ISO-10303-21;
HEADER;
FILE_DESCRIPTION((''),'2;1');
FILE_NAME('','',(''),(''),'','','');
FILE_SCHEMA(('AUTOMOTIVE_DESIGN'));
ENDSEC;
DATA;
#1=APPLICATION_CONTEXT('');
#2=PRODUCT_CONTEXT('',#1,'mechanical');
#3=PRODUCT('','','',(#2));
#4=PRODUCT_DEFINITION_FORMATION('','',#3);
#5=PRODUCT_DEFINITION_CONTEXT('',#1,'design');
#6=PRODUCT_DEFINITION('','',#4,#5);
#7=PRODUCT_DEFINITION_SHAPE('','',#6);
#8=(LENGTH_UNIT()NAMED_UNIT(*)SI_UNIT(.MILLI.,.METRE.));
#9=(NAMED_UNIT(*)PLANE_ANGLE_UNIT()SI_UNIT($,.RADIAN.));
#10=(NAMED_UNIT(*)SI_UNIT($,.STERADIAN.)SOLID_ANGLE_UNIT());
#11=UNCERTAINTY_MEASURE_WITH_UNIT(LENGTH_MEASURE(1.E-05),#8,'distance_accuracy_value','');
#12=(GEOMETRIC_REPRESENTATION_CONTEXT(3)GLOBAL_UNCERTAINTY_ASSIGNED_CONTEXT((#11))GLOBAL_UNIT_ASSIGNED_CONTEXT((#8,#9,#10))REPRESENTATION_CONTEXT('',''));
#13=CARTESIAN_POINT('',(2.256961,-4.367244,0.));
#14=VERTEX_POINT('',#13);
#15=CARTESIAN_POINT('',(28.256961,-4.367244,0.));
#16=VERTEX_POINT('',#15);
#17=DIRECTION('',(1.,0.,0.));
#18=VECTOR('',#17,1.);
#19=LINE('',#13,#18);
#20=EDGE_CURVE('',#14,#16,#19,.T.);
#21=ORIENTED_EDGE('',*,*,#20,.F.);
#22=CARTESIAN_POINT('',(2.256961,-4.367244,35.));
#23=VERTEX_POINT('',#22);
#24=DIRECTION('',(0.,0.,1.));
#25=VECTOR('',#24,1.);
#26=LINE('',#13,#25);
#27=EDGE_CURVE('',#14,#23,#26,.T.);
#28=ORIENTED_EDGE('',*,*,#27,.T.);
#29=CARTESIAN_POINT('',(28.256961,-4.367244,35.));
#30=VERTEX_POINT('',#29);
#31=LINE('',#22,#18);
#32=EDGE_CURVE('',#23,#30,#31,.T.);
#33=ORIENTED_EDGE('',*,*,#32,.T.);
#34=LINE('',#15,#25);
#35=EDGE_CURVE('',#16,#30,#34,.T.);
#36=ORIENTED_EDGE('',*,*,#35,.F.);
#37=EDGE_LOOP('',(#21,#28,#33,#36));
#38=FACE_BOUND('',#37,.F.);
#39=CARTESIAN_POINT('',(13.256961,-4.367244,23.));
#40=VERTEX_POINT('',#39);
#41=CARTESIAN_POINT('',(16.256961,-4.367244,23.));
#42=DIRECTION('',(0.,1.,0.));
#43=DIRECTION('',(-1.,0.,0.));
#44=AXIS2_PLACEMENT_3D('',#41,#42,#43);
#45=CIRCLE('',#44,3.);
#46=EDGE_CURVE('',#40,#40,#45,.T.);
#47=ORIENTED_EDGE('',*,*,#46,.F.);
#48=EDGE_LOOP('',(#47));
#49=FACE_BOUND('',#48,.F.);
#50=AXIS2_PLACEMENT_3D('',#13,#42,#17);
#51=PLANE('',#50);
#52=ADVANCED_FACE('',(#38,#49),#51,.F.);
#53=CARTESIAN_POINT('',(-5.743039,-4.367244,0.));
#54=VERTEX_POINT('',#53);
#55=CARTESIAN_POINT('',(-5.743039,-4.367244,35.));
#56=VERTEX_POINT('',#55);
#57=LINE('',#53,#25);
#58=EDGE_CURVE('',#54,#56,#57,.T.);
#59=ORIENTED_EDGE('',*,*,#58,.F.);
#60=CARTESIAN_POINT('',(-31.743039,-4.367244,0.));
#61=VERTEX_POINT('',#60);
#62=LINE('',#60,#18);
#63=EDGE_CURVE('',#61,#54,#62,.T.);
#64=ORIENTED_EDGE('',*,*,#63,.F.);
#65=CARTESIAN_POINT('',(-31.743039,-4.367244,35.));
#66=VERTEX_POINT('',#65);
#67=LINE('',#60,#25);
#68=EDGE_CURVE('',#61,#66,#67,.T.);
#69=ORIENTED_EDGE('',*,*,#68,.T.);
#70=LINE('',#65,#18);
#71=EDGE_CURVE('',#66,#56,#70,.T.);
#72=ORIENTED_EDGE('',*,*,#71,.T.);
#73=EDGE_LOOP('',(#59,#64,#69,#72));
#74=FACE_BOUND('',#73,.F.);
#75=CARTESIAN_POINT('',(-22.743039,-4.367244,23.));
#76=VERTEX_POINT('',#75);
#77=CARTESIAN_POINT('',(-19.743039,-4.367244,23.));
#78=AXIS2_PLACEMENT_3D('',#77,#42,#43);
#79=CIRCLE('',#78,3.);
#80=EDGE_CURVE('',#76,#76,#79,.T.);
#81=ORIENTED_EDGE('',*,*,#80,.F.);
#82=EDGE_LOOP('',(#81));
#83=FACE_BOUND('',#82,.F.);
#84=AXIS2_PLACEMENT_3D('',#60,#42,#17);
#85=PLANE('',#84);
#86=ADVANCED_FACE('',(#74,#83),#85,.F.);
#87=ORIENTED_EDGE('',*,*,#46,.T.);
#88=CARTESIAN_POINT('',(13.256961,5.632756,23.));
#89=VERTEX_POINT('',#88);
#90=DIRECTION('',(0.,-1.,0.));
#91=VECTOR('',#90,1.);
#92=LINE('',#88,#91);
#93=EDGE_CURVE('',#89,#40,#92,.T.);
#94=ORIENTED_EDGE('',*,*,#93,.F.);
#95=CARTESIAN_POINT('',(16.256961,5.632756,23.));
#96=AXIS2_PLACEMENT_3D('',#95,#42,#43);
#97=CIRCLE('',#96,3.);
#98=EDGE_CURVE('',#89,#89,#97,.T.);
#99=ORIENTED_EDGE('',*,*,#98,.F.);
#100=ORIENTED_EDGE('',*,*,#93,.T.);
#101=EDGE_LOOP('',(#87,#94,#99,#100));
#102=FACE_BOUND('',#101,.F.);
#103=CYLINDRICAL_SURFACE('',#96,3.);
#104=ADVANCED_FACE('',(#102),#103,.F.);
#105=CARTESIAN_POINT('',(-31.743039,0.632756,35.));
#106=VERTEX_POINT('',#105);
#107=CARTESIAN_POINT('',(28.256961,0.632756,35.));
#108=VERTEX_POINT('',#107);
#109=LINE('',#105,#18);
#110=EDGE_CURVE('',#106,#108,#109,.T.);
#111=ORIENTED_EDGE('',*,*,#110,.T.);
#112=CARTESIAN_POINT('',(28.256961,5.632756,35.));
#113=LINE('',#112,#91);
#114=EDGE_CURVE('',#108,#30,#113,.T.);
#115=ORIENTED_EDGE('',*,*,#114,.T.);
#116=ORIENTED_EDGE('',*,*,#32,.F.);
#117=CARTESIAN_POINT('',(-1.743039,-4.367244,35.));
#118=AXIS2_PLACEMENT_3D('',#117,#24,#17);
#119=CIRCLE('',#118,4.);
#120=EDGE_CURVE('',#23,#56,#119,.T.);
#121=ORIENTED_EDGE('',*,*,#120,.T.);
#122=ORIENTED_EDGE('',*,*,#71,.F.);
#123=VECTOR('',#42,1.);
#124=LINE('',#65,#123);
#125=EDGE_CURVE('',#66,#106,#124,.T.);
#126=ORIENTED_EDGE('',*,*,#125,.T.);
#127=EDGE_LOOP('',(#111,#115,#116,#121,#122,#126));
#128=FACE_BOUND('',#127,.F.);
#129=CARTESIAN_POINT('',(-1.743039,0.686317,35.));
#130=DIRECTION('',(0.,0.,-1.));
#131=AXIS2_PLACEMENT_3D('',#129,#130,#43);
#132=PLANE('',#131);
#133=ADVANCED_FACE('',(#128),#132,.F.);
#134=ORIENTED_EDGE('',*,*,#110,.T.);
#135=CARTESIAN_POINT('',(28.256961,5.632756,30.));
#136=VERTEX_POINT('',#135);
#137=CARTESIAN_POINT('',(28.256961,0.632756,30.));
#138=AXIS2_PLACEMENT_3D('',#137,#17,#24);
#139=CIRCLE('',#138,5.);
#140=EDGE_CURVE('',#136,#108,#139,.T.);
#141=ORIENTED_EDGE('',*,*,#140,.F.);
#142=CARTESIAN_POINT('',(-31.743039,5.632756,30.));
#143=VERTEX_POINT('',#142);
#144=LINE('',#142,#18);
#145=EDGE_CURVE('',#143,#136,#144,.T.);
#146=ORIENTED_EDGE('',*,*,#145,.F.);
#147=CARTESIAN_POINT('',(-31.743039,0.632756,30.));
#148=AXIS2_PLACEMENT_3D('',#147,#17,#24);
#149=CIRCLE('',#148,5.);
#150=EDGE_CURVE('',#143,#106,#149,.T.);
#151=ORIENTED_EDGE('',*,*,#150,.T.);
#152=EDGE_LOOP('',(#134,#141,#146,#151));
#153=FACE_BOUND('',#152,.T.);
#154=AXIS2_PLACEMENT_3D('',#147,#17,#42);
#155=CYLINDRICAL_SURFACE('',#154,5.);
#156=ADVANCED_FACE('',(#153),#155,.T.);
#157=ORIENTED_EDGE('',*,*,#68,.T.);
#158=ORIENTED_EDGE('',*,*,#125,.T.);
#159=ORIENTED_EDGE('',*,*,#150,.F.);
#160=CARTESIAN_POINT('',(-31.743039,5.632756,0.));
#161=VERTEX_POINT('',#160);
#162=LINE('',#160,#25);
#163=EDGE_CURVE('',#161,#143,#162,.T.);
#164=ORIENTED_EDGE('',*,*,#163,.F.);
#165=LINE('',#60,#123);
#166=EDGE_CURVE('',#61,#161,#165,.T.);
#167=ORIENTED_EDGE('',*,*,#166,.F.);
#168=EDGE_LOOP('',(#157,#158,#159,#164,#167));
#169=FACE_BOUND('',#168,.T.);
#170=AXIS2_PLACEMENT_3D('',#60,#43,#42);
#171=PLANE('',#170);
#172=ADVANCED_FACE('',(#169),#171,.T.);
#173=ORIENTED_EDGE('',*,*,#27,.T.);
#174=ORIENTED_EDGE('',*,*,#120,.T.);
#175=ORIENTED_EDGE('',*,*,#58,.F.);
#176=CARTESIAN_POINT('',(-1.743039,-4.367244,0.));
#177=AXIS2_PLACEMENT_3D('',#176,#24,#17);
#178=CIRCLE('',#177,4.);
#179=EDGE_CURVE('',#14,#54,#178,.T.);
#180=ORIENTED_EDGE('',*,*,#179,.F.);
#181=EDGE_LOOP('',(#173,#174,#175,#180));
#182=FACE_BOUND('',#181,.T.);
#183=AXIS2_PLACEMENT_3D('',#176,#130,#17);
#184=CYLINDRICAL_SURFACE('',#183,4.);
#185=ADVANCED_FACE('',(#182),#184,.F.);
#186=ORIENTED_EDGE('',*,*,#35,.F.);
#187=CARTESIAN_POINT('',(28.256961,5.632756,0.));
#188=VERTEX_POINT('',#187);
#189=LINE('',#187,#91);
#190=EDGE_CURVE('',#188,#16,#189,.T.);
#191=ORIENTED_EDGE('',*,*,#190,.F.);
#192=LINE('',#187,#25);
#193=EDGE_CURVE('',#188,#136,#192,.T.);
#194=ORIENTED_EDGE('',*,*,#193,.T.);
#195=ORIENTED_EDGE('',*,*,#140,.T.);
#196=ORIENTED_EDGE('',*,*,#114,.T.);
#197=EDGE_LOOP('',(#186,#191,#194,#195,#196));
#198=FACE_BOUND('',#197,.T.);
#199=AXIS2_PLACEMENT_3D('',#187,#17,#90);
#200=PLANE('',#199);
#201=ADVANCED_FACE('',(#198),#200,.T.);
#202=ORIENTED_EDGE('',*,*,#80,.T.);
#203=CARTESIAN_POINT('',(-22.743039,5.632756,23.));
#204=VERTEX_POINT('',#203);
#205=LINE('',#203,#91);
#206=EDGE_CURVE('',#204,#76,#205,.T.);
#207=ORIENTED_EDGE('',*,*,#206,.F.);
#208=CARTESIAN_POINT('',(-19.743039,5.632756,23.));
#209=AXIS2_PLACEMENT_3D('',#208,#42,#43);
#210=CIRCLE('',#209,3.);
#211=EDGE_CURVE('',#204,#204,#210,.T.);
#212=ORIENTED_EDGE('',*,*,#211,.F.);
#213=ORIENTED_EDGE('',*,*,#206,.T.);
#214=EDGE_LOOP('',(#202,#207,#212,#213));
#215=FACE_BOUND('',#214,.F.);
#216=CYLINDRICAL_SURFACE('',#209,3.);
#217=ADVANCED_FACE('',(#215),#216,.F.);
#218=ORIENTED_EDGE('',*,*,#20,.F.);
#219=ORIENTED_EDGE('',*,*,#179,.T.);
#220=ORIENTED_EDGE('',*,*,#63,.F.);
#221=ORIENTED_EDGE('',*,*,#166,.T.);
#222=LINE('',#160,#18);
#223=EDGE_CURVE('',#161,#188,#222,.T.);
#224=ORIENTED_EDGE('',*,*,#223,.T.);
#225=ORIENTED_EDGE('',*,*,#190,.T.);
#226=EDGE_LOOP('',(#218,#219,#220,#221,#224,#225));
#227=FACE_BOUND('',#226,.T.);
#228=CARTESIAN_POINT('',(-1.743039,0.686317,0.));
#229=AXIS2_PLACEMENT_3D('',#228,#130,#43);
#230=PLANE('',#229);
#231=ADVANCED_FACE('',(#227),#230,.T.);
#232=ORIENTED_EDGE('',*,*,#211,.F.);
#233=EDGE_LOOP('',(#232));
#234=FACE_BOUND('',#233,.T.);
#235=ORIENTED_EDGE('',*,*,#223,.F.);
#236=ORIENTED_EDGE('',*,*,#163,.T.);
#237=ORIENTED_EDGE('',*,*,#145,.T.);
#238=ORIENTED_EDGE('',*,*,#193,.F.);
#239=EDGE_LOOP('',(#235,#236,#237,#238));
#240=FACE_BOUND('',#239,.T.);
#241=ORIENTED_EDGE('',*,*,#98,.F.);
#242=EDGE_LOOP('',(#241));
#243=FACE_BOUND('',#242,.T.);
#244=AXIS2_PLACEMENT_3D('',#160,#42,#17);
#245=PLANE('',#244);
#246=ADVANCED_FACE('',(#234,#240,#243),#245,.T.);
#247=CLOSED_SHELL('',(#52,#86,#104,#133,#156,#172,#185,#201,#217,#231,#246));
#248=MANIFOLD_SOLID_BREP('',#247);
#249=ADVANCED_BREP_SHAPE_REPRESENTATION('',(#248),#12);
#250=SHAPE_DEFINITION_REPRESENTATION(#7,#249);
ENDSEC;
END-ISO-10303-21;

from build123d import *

# Parameters (mm, degrees)
PAD_DEPTH    = 35
SKETCH001_R  = 3
POCKET_DEPTH = 10
FILLET_R     = 5


with BuildPart() as part:
    # Sketch → Pad (new body)
    with BuildSketch(Plane.XY):
        with BuildLine():
            Line((-31.743039, 5.632756), (28.256961, 5.632756))
            Line((28.256961, 5.632756), (28.256961, -4.367244))
            Line((2.256961, -4.367244), (28.256961, -4.367244))
            ThreePointArc((2.256961, -4.367244), (-1.743039, -0.367244), (-5.743039, -4.367244))
            Line((-31.743039, -4.367244), (-5.743039, -4.367244))
            Line((-31.743039, -4.367244), (-31.743039, 5.632756))
        make_face()
    extrude(amount=PAD_DEPTH)

    # Sketch001 → Pocket (cut)
    with BuildSketch(Plane(origin=(0, 5.632756, 0), x_dir=(-1, 0, 0), z_dir=(0, 1, 0))):
        with Locations((-16.256961, 23)):
            Circle(SKETCH001_R)
        with Locations((19.743039, 23)):
            Circle(SKETCH001_R)
    extrude(amount=-POCKET_DEPTH, mode=Mode.SUBTRACT)

    # Fillet
    fillet_edges = [part.edges().sort_by_distance(p)[0] for p in [
        (-1.743039, 5.632756, 35),
    ]]
    fillet(fillet_edges, radius=FILLET_R)


solid = part.part
